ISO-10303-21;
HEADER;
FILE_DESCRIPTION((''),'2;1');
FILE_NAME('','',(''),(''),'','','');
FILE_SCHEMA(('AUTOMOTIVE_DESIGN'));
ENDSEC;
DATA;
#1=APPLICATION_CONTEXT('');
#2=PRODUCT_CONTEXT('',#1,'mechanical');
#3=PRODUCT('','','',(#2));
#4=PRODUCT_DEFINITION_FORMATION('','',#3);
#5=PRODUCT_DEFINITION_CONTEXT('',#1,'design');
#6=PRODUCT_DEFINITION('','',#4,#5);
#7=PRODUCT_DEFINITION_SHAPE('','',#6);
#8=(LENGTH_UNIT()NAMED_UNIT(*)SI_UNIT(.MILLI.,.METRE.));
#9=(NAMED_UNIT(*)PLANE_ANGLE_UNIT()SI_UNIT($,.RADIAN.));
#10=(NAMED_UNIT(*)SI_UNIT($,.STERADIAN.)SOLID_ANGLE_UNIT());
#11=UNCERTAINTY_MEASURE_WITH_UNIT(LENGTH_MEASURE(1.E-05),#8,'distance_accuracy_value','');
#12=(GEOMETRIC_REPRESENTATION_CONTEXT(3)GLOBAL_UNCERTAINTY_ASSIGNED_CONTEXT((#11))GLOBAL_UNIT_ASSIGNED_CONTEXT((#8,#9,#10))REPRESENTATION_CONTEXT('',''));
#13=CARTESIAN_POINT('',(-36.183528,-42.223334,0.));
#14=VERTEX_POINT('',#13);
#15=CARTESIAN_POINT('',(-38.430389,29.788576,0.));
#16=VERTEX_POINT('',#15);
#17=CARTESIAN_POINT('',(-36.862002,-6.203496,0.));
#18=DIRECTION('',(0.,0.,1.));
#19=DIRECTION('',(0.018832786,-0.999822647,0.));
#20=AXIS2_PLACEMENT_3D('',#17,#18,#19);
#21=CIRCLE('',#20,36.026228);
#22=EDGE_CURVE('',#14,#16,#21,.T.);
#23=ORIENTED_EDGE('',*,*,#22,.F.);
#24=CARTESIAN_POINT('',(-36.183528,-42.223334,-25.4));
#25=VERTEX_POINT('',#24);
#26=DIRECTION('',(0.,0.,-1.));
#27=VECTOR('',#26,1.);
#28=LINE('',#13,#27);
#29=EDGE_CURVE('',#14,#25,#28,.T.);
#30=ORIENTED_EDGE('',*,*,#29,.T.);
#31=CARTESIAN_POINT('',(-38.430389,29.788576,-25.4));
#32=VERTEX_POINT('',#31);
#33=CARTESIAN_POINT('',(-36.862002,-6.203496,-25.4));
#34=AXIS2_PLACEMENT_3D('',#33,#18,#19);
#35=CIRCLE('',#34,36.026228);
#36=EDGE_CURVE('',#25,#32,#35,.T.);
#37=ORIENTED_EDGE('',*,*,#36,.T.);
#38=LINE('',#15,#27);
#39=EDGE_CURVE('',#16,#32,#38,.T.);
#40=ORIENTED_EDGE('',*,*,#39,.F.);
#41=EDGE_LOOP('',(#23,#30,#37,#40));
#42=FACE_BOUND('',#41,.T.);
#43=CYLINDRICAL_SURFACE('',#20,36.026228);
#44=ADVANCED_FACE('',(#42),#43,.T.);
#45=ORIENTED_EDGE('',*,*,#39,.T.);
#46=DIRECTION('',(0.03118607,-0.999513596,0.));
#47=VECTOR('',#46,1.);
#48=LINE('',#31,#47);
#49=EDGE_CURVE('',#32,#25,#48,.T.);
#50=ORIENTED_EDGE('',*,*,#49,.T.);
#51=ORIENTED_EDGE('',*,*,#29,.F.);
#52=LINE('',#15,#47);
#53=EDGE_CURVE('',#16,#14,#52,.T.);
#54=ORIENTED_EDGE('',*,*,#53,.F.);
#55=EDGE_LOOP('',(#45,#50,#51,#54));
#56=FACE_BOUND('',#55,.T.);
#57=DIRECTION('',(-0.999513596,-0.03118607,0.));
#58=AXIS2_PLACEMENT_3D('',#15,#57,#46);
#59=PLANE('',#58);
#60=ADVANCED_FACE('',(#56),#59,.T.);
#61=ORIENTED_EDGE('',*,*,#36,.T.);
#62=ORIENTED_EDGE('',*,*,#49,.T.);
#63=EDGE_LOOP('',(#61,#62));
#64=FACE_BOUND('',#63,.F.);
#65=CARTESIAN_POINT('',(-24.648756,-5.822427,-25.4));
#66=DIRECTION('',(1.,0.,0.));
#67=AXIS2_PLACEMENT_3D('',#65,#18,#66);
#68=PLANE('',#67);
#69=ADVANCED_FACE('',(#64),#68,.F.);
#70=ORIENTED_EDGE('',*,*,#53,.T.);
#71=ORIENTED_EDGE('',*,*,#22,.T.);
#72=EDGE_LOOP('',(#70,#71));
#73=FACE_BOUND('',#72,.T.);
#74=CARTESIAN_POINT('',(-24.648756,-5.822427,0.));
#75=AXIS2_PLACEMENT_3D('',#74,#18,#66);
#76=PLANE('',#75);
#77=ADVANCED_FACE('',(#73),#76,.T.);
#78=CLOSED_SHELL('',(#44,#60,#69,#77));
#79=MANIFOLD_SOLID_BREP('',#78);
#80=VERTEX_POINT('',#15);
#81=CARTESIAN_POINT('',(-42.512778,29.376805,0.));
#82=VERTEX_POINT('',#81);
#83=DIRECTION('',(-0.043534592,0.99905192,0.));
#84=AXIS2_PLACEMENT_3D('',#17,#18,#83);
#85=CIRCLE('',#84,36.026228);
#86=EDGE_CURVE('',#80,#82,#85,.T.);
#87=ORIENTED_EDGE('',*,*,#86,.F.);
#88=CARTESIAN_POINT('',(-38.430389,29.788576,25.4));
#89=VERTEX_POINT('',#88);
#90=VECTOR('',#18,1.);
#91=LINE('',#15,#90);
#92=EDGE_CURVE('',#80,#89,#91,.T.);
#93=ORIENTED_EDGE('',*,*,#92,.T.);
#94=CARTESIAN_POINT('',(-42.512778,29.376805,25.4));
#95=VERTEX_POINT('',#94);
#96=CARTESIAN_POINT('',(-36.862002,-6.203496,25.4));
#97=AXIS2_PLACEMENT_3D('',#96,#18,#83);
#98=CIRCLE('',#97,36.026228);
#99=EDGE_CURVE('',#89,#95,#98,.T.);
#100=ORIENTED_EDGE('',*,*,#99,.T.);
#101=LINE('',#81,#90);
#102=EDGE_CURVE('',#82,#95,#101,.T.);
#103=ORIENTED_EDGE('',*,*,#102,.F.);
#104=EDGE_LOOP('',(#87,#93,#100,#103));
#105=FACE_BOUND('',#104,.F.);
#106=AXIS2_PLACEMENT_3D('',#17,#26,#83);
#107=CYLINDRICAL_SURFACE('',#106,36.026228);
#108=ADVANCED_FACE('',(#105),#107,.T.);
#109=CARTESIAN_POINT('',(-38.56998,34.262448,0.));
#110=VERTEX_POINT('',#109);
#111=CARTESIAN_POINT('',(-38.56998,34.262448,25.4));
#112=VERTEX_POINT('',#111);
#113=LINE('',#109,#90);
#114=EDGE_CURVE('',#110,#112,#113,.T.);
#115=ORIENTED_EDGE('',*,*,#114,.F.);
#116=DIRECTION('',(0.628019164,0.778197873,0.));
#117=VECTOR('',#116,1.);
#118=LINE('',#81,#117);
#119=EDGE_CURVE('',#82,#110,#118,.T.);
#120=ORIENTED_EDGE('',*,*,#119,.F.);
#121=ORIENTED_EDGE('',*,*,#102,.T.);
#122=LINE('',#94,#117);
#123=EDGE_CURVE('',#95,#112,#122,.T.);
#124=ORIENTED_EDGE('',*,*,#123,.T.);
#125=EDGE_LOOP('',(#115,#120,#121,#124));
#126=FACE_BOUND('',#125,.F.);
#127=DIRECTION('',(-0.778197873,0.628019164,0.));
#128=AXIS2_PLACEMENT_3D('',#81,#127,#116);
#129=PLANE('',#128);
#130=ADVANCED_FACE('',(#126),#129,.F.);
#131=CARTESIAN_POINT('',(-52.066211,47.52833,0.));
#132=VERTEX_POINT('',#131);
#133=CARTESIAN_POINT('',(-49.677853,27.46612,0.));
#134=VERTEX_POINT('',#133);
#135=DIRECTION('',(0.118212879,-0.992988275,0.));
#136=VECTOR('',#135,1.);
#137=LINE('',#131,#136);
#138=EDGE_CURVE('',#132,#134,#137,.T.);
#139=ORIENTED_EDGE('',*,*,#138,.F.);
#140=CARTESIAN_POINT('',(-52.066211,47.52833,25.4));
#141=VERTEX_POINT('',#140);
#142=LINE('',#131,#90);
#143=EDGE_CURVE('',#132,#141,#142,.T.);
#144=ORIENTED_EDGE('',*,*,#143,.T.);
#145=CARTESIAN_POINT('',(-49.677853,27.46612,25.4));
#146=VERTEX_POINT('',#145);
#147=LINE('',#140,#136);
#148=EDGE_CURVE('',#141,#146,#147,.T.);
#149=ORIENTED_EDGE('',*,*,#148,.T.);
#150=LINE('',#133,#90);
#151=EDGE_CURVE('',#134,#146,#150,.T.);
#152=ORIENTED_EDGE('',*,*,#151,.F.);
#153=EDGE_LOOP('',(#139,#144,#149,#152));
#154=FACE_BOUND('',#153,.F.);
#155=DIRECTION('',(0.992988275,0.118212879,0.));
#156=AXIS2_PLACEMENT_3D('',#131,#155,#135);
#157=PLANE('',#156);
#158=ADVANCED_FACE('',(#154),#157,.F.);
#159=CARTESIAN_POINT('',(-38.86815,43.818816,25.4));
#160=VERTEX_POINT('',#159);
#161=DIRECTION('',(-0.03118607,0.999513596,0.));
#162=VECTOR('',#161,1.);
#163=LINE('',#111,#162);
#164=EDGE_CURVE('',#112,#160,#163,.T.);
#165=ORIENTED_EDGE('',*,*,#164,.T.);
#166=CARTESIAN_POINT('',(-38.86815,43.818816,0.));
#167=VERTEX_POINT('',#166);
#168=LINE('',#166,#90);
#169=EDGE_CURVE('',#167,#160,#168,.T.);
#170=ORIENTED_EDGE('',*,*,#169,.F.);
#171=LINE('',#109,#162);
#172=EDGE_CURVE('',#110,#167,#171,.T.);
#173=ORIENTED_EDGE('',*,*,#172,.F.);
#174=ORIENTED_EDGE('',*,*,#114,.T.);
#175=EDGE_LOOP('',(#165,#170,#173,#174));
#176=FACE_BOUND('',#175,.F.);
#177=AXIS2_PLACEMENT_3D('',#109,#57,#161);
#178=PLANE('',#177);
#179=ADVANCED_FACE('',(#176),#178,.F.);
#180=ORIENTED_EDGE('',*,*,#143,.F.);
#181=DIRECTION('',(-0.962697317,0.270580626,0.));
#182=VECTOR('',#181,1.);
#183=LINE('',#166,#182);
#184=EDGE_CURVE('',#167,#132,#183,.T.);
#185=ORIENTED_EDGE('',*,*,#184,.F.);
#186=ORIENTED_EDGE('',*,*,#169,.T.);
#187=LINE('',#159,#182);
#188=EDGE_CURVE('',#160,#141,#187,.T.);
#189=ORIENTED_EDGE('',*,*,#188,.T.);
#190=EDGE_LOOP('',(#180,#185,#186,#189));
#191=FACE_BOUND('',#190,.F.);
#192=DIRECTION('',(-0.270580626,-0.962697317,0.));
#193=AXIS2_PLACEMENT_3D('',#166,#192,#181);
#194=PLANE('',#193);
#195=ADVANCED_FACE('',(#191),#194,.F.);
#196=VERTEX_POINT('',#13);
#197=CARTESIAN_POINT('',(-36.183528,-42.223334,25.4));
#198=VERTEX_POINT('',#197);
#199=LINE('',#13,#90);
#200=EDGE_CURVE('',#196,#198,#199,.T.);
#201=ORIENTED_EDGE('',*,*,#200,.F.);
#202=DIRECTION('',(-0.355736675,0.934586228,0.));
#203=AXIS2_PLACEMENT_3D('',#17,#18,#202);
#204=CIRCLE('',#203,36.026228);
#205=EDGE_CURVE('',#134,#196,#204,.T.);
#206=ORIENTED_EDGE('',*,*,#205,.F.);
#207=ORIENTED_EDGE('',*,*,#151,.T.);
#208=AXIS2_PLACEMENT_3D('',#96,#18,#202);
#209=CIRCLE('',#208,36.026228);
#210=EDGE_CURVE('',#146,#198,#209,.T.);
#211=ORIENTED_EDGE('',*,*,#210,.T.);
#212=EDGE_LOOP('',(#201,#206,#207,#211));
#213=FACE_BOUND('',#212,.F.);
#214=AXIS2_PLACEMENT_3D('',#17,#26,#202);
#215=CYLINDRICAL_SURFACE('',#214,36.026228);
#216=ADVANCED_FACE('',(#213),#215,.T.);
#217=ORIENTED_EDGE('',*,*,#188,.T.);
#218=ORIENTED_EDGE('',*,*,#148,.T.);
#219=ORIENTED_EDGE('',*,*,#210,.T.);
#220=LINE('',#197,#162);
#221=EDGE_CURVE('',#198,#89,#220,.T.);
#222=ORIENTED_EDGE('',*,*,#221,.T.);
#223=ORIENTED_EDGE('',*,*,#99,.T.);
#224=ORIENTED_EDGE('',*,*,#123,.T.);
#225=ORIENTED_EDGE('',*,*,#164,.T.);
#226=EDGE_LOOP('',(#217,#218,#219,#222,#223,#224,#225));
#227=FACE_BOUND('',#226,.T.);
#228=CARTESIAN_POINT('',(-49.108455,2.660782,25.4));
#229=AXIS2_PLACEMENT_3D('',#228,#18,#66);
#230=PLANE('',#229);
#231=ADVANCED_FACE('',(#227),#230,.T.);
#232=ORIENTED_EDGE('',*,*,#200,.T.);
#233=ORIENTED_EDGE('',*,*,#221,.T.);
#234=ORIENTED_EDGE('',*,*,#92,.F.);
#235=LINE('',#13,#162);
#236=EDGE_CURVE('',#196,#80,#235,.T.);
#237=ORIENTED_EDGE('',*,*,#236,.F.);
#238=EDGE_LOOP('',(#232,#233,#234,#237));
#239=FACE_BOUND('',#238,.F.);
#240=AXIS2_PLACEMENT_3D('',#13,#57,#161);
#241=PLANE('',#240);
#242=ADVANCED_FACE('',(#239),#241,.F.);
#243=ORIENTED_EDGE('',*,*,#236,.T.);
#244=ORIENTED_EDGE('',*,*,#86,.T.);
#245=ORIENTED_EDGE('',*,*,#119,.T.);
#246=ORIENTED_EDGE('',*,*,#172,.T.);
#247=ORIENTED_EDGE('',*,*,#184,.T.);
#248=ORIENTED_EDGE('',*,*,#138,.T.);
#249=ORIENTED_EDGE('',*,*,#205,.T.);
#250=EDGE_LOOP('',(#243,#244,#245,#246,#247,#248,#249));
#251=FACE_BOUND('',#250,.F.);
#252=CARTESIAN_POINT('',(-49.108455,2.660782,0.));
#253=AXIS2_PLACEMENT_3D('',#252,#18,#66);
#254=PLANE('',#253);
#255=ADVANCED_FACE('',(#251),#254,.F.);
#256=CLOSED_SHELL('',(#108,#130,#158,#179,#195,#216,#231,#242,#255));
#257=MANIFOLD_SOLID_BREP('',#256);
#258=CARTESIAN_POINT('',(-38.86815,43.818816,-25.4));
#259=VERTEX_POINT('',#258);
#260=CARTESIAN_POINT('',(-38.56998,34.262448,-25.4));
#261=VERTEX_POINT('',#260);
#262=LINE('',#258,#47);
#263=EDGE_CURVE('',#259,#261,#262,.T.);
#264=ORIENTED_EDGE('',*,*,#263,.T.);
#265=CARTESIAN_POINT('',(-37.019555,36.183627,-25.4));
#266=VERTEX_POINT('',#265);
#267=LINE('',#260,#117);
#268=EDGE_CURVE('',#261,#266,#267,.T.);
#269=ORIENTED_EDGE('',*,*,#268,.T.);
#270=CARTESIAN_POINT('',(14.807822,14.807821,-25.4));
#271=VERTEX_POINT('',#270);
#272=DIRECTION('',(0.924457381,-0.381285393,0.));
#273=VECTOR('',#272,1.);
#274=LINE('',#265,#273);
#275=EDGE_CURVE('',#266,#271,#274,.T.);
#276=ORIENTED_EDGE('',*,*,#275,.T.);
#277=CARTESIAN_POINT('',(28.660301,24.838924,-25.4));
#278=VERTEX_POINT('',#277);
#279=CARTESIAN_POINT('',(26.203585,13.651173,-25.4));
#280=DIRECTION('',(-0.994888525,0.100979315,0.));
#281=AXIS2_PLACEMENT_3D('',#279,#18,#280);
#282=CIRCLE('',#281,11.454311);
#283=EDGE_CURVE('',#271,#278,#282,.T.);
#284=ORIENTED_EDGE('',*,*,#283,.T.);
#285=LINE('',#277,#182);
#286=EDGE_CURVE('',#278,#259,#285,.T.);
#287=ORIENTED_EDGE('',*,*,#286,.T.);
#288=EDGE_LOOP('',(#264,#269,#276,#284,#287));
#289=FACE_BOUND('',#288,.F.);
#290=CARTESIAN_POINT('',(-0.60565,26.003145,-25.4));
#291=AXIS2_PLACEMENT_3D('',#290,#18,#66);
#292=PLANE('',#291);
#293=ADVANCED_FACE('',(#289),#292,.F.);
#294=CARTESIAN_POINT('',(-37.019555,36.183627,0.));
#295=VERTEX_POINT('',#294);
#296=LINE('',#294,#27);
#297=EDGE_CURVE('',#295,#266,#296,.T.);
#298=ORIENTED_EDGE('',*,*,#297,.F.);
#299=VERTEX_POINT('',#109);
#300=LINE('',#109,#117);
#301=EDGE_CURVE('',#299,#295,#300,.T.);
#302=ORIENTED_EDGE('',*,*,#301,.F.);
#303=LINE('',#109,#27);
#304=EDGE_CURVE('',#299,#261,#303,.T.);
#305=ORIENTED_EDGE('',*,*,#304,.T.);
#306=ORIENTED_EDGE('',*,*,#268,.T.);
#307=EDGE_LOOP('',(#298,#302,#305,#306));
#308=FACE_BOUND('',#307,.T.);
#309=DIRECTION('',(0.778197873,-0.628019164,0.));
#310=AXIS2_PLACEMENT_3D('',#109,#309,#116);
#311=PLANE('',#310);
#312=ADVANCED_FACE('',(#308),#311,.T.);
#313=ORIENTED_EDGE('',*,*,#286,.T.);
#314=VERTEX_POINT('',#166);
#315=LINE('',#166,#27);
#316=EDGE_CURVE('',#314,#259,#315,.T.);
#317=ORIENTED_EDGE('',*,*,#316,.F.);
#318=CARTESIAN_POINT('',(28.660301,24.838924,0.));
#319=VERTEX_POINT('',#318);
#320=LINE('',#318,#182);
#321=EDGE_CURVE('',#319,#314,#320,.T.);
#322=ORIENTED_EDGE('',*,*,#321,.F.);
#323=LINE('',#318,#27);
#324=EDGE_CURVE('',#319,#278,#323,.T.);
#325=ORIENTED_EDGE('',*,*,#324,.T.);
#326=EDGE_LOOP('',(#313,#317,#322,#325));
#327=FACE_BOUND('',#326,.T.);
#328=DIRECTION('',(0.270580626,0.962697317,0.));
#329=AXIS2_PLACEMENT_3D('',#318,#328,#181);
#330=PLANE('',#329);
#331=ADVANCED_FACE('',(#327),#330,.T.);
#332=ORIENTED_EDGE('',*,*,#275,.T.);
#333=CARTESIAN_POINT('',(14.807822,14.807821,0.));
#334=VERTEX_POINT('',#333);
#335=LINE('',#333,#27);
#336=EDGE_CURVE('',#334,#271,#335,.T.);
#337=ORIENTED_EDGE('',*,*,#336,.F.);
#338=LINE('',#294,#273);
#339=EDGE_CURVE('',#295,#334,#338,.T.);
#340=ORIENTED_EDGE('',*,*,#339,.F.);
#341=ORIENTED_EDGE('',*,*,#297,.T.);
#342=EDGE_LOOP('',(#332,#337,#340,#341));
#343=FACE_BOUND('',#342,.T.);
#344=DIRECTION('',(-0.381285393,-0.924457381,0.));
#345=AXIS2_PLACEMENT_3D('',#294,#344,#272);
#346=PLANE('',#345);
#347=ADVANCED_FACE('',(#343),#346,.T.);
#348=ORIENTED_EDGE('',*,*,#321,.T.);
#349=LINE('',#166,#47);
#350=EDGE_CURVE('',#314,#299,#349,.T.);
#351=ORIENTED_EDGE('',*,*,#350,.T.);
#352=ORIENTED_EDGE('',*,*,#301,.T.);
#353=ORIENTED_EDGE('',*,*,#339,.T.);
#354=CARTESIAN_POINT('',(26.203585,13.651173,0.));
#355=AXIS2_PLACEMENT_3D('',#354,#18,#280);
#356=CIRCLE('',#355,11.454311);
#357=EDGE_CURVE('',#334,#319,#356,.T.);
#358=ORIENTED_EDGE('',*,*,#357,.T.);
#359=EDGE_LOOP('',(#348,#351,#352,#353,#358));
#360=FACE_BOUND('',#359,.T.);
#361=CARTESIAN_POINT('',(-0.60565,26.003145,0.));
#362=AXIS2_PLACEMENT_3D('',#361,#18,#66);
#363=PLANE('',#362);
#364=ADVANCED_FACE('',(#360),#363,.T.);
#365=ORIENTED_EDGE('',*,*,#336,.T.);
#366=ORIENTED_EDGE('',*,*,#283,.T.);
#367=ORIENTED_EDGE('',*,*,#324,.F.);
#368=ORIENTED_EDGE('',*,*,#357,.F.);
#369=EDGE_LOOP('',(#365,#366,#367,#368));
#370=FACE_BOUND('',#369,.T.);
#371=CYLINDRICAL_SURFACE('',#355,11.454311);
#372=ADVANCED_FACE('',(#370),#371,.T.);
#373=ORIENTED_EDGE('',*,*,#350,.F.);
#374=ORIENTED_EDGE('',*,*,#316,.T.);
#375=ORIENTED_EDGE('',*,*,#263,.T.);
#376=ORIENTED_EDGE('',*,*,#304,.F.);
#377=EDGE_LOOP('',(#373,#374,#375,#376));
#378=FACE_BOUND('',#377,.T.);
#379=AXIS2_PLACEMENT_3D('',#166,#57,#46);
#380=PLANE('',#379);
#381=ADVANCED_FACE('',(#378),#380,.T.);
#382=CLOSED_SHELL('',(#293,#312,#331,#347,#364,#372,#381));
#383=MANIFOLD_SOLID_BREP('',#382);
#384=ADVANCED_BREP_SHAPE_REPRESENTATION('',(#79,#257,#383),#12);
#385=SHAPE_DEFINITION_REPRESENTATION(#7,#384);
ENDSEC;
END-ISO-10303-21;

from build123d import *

# Parameters (mm, degrees)
F1_DEPTH = 25.4
F2_DEPTH = 25.4


with BuildPart() as f1:
    # F0 (on Top) → F1 (new body)
    with BuildSketch(Plane.XY):
        with BuildLine():
            Line((-52.0662106574, 47.5283302367), (-49.6778525412, 27.4661201984))
            ThreePointArc((-49.6778525412, 27.4661201984), (-72.2312541518, -13.0522247362), (-36.1835278661, -42.2233342469))
            Line((-36.1835278661, -42.2233342469), (-38.4303892276, 29.7885758953))
            ThreePointArc((-38.4303892276, 29.7885758953), (-40.477450655, 29.6408565433), (-42.5127781928, 29.3768048286))
            Line((-42.5127781928, 29.3768048286), (-38.5699796106, 34.2624478869))
            Line((-38.5699796106, 34.2624478869), (-38.8681502061, 43.8188159378))
            Line((-38.8681502061, 43.8188159378), (-52.0662106574, 47.5283302367))
        make_face()
    extrude(amount=F1_DEPTH)


with BuildPart() as f2:
    # F0 (on Top) → F2 (new body)
    with BuildSketch(Plane.XY):
        with BuildLine():
            Line((-38.4303892276, 29.7885758953), (-36.1835278661, -42.2233342469))
            ThreePointArc((-36.1835278661, -42.2233342469), (-0.853297783, -5.0799795193), (-38.4303892276, 29.7885758953))
        make_face()
    extrude(amount=-F2_DEPTH)


with BuildPart() as f2b:
    # F0 (on Top) → F2, piece 2 (new body)
    with BuildSketch(Plane.XY):
        with BuildLine():
            Line((28.6603011191, 24.838924408), (-38.8681502061, 43.8188159378))
            Line((-38.8681502061, 43.8188159378), (-38.5699796106, 34.2624478869))
            Line((-38.5699796106, 34.2624478869), (-37.0195545256, 36.1836273223))
            Line((-37.0195545256, 36.1836273223), (14.8078221828, 14.8078212515))
            ThreePointArc((14.8078221828, 14.8078212515), (32.921649635, 4.3738430542), (28.6603011191, 24.838924408))
        make_face()
    extrude(amount=-F2_DEPTH)


solid = Compound([f1.part, f2.part, f2b.part])
